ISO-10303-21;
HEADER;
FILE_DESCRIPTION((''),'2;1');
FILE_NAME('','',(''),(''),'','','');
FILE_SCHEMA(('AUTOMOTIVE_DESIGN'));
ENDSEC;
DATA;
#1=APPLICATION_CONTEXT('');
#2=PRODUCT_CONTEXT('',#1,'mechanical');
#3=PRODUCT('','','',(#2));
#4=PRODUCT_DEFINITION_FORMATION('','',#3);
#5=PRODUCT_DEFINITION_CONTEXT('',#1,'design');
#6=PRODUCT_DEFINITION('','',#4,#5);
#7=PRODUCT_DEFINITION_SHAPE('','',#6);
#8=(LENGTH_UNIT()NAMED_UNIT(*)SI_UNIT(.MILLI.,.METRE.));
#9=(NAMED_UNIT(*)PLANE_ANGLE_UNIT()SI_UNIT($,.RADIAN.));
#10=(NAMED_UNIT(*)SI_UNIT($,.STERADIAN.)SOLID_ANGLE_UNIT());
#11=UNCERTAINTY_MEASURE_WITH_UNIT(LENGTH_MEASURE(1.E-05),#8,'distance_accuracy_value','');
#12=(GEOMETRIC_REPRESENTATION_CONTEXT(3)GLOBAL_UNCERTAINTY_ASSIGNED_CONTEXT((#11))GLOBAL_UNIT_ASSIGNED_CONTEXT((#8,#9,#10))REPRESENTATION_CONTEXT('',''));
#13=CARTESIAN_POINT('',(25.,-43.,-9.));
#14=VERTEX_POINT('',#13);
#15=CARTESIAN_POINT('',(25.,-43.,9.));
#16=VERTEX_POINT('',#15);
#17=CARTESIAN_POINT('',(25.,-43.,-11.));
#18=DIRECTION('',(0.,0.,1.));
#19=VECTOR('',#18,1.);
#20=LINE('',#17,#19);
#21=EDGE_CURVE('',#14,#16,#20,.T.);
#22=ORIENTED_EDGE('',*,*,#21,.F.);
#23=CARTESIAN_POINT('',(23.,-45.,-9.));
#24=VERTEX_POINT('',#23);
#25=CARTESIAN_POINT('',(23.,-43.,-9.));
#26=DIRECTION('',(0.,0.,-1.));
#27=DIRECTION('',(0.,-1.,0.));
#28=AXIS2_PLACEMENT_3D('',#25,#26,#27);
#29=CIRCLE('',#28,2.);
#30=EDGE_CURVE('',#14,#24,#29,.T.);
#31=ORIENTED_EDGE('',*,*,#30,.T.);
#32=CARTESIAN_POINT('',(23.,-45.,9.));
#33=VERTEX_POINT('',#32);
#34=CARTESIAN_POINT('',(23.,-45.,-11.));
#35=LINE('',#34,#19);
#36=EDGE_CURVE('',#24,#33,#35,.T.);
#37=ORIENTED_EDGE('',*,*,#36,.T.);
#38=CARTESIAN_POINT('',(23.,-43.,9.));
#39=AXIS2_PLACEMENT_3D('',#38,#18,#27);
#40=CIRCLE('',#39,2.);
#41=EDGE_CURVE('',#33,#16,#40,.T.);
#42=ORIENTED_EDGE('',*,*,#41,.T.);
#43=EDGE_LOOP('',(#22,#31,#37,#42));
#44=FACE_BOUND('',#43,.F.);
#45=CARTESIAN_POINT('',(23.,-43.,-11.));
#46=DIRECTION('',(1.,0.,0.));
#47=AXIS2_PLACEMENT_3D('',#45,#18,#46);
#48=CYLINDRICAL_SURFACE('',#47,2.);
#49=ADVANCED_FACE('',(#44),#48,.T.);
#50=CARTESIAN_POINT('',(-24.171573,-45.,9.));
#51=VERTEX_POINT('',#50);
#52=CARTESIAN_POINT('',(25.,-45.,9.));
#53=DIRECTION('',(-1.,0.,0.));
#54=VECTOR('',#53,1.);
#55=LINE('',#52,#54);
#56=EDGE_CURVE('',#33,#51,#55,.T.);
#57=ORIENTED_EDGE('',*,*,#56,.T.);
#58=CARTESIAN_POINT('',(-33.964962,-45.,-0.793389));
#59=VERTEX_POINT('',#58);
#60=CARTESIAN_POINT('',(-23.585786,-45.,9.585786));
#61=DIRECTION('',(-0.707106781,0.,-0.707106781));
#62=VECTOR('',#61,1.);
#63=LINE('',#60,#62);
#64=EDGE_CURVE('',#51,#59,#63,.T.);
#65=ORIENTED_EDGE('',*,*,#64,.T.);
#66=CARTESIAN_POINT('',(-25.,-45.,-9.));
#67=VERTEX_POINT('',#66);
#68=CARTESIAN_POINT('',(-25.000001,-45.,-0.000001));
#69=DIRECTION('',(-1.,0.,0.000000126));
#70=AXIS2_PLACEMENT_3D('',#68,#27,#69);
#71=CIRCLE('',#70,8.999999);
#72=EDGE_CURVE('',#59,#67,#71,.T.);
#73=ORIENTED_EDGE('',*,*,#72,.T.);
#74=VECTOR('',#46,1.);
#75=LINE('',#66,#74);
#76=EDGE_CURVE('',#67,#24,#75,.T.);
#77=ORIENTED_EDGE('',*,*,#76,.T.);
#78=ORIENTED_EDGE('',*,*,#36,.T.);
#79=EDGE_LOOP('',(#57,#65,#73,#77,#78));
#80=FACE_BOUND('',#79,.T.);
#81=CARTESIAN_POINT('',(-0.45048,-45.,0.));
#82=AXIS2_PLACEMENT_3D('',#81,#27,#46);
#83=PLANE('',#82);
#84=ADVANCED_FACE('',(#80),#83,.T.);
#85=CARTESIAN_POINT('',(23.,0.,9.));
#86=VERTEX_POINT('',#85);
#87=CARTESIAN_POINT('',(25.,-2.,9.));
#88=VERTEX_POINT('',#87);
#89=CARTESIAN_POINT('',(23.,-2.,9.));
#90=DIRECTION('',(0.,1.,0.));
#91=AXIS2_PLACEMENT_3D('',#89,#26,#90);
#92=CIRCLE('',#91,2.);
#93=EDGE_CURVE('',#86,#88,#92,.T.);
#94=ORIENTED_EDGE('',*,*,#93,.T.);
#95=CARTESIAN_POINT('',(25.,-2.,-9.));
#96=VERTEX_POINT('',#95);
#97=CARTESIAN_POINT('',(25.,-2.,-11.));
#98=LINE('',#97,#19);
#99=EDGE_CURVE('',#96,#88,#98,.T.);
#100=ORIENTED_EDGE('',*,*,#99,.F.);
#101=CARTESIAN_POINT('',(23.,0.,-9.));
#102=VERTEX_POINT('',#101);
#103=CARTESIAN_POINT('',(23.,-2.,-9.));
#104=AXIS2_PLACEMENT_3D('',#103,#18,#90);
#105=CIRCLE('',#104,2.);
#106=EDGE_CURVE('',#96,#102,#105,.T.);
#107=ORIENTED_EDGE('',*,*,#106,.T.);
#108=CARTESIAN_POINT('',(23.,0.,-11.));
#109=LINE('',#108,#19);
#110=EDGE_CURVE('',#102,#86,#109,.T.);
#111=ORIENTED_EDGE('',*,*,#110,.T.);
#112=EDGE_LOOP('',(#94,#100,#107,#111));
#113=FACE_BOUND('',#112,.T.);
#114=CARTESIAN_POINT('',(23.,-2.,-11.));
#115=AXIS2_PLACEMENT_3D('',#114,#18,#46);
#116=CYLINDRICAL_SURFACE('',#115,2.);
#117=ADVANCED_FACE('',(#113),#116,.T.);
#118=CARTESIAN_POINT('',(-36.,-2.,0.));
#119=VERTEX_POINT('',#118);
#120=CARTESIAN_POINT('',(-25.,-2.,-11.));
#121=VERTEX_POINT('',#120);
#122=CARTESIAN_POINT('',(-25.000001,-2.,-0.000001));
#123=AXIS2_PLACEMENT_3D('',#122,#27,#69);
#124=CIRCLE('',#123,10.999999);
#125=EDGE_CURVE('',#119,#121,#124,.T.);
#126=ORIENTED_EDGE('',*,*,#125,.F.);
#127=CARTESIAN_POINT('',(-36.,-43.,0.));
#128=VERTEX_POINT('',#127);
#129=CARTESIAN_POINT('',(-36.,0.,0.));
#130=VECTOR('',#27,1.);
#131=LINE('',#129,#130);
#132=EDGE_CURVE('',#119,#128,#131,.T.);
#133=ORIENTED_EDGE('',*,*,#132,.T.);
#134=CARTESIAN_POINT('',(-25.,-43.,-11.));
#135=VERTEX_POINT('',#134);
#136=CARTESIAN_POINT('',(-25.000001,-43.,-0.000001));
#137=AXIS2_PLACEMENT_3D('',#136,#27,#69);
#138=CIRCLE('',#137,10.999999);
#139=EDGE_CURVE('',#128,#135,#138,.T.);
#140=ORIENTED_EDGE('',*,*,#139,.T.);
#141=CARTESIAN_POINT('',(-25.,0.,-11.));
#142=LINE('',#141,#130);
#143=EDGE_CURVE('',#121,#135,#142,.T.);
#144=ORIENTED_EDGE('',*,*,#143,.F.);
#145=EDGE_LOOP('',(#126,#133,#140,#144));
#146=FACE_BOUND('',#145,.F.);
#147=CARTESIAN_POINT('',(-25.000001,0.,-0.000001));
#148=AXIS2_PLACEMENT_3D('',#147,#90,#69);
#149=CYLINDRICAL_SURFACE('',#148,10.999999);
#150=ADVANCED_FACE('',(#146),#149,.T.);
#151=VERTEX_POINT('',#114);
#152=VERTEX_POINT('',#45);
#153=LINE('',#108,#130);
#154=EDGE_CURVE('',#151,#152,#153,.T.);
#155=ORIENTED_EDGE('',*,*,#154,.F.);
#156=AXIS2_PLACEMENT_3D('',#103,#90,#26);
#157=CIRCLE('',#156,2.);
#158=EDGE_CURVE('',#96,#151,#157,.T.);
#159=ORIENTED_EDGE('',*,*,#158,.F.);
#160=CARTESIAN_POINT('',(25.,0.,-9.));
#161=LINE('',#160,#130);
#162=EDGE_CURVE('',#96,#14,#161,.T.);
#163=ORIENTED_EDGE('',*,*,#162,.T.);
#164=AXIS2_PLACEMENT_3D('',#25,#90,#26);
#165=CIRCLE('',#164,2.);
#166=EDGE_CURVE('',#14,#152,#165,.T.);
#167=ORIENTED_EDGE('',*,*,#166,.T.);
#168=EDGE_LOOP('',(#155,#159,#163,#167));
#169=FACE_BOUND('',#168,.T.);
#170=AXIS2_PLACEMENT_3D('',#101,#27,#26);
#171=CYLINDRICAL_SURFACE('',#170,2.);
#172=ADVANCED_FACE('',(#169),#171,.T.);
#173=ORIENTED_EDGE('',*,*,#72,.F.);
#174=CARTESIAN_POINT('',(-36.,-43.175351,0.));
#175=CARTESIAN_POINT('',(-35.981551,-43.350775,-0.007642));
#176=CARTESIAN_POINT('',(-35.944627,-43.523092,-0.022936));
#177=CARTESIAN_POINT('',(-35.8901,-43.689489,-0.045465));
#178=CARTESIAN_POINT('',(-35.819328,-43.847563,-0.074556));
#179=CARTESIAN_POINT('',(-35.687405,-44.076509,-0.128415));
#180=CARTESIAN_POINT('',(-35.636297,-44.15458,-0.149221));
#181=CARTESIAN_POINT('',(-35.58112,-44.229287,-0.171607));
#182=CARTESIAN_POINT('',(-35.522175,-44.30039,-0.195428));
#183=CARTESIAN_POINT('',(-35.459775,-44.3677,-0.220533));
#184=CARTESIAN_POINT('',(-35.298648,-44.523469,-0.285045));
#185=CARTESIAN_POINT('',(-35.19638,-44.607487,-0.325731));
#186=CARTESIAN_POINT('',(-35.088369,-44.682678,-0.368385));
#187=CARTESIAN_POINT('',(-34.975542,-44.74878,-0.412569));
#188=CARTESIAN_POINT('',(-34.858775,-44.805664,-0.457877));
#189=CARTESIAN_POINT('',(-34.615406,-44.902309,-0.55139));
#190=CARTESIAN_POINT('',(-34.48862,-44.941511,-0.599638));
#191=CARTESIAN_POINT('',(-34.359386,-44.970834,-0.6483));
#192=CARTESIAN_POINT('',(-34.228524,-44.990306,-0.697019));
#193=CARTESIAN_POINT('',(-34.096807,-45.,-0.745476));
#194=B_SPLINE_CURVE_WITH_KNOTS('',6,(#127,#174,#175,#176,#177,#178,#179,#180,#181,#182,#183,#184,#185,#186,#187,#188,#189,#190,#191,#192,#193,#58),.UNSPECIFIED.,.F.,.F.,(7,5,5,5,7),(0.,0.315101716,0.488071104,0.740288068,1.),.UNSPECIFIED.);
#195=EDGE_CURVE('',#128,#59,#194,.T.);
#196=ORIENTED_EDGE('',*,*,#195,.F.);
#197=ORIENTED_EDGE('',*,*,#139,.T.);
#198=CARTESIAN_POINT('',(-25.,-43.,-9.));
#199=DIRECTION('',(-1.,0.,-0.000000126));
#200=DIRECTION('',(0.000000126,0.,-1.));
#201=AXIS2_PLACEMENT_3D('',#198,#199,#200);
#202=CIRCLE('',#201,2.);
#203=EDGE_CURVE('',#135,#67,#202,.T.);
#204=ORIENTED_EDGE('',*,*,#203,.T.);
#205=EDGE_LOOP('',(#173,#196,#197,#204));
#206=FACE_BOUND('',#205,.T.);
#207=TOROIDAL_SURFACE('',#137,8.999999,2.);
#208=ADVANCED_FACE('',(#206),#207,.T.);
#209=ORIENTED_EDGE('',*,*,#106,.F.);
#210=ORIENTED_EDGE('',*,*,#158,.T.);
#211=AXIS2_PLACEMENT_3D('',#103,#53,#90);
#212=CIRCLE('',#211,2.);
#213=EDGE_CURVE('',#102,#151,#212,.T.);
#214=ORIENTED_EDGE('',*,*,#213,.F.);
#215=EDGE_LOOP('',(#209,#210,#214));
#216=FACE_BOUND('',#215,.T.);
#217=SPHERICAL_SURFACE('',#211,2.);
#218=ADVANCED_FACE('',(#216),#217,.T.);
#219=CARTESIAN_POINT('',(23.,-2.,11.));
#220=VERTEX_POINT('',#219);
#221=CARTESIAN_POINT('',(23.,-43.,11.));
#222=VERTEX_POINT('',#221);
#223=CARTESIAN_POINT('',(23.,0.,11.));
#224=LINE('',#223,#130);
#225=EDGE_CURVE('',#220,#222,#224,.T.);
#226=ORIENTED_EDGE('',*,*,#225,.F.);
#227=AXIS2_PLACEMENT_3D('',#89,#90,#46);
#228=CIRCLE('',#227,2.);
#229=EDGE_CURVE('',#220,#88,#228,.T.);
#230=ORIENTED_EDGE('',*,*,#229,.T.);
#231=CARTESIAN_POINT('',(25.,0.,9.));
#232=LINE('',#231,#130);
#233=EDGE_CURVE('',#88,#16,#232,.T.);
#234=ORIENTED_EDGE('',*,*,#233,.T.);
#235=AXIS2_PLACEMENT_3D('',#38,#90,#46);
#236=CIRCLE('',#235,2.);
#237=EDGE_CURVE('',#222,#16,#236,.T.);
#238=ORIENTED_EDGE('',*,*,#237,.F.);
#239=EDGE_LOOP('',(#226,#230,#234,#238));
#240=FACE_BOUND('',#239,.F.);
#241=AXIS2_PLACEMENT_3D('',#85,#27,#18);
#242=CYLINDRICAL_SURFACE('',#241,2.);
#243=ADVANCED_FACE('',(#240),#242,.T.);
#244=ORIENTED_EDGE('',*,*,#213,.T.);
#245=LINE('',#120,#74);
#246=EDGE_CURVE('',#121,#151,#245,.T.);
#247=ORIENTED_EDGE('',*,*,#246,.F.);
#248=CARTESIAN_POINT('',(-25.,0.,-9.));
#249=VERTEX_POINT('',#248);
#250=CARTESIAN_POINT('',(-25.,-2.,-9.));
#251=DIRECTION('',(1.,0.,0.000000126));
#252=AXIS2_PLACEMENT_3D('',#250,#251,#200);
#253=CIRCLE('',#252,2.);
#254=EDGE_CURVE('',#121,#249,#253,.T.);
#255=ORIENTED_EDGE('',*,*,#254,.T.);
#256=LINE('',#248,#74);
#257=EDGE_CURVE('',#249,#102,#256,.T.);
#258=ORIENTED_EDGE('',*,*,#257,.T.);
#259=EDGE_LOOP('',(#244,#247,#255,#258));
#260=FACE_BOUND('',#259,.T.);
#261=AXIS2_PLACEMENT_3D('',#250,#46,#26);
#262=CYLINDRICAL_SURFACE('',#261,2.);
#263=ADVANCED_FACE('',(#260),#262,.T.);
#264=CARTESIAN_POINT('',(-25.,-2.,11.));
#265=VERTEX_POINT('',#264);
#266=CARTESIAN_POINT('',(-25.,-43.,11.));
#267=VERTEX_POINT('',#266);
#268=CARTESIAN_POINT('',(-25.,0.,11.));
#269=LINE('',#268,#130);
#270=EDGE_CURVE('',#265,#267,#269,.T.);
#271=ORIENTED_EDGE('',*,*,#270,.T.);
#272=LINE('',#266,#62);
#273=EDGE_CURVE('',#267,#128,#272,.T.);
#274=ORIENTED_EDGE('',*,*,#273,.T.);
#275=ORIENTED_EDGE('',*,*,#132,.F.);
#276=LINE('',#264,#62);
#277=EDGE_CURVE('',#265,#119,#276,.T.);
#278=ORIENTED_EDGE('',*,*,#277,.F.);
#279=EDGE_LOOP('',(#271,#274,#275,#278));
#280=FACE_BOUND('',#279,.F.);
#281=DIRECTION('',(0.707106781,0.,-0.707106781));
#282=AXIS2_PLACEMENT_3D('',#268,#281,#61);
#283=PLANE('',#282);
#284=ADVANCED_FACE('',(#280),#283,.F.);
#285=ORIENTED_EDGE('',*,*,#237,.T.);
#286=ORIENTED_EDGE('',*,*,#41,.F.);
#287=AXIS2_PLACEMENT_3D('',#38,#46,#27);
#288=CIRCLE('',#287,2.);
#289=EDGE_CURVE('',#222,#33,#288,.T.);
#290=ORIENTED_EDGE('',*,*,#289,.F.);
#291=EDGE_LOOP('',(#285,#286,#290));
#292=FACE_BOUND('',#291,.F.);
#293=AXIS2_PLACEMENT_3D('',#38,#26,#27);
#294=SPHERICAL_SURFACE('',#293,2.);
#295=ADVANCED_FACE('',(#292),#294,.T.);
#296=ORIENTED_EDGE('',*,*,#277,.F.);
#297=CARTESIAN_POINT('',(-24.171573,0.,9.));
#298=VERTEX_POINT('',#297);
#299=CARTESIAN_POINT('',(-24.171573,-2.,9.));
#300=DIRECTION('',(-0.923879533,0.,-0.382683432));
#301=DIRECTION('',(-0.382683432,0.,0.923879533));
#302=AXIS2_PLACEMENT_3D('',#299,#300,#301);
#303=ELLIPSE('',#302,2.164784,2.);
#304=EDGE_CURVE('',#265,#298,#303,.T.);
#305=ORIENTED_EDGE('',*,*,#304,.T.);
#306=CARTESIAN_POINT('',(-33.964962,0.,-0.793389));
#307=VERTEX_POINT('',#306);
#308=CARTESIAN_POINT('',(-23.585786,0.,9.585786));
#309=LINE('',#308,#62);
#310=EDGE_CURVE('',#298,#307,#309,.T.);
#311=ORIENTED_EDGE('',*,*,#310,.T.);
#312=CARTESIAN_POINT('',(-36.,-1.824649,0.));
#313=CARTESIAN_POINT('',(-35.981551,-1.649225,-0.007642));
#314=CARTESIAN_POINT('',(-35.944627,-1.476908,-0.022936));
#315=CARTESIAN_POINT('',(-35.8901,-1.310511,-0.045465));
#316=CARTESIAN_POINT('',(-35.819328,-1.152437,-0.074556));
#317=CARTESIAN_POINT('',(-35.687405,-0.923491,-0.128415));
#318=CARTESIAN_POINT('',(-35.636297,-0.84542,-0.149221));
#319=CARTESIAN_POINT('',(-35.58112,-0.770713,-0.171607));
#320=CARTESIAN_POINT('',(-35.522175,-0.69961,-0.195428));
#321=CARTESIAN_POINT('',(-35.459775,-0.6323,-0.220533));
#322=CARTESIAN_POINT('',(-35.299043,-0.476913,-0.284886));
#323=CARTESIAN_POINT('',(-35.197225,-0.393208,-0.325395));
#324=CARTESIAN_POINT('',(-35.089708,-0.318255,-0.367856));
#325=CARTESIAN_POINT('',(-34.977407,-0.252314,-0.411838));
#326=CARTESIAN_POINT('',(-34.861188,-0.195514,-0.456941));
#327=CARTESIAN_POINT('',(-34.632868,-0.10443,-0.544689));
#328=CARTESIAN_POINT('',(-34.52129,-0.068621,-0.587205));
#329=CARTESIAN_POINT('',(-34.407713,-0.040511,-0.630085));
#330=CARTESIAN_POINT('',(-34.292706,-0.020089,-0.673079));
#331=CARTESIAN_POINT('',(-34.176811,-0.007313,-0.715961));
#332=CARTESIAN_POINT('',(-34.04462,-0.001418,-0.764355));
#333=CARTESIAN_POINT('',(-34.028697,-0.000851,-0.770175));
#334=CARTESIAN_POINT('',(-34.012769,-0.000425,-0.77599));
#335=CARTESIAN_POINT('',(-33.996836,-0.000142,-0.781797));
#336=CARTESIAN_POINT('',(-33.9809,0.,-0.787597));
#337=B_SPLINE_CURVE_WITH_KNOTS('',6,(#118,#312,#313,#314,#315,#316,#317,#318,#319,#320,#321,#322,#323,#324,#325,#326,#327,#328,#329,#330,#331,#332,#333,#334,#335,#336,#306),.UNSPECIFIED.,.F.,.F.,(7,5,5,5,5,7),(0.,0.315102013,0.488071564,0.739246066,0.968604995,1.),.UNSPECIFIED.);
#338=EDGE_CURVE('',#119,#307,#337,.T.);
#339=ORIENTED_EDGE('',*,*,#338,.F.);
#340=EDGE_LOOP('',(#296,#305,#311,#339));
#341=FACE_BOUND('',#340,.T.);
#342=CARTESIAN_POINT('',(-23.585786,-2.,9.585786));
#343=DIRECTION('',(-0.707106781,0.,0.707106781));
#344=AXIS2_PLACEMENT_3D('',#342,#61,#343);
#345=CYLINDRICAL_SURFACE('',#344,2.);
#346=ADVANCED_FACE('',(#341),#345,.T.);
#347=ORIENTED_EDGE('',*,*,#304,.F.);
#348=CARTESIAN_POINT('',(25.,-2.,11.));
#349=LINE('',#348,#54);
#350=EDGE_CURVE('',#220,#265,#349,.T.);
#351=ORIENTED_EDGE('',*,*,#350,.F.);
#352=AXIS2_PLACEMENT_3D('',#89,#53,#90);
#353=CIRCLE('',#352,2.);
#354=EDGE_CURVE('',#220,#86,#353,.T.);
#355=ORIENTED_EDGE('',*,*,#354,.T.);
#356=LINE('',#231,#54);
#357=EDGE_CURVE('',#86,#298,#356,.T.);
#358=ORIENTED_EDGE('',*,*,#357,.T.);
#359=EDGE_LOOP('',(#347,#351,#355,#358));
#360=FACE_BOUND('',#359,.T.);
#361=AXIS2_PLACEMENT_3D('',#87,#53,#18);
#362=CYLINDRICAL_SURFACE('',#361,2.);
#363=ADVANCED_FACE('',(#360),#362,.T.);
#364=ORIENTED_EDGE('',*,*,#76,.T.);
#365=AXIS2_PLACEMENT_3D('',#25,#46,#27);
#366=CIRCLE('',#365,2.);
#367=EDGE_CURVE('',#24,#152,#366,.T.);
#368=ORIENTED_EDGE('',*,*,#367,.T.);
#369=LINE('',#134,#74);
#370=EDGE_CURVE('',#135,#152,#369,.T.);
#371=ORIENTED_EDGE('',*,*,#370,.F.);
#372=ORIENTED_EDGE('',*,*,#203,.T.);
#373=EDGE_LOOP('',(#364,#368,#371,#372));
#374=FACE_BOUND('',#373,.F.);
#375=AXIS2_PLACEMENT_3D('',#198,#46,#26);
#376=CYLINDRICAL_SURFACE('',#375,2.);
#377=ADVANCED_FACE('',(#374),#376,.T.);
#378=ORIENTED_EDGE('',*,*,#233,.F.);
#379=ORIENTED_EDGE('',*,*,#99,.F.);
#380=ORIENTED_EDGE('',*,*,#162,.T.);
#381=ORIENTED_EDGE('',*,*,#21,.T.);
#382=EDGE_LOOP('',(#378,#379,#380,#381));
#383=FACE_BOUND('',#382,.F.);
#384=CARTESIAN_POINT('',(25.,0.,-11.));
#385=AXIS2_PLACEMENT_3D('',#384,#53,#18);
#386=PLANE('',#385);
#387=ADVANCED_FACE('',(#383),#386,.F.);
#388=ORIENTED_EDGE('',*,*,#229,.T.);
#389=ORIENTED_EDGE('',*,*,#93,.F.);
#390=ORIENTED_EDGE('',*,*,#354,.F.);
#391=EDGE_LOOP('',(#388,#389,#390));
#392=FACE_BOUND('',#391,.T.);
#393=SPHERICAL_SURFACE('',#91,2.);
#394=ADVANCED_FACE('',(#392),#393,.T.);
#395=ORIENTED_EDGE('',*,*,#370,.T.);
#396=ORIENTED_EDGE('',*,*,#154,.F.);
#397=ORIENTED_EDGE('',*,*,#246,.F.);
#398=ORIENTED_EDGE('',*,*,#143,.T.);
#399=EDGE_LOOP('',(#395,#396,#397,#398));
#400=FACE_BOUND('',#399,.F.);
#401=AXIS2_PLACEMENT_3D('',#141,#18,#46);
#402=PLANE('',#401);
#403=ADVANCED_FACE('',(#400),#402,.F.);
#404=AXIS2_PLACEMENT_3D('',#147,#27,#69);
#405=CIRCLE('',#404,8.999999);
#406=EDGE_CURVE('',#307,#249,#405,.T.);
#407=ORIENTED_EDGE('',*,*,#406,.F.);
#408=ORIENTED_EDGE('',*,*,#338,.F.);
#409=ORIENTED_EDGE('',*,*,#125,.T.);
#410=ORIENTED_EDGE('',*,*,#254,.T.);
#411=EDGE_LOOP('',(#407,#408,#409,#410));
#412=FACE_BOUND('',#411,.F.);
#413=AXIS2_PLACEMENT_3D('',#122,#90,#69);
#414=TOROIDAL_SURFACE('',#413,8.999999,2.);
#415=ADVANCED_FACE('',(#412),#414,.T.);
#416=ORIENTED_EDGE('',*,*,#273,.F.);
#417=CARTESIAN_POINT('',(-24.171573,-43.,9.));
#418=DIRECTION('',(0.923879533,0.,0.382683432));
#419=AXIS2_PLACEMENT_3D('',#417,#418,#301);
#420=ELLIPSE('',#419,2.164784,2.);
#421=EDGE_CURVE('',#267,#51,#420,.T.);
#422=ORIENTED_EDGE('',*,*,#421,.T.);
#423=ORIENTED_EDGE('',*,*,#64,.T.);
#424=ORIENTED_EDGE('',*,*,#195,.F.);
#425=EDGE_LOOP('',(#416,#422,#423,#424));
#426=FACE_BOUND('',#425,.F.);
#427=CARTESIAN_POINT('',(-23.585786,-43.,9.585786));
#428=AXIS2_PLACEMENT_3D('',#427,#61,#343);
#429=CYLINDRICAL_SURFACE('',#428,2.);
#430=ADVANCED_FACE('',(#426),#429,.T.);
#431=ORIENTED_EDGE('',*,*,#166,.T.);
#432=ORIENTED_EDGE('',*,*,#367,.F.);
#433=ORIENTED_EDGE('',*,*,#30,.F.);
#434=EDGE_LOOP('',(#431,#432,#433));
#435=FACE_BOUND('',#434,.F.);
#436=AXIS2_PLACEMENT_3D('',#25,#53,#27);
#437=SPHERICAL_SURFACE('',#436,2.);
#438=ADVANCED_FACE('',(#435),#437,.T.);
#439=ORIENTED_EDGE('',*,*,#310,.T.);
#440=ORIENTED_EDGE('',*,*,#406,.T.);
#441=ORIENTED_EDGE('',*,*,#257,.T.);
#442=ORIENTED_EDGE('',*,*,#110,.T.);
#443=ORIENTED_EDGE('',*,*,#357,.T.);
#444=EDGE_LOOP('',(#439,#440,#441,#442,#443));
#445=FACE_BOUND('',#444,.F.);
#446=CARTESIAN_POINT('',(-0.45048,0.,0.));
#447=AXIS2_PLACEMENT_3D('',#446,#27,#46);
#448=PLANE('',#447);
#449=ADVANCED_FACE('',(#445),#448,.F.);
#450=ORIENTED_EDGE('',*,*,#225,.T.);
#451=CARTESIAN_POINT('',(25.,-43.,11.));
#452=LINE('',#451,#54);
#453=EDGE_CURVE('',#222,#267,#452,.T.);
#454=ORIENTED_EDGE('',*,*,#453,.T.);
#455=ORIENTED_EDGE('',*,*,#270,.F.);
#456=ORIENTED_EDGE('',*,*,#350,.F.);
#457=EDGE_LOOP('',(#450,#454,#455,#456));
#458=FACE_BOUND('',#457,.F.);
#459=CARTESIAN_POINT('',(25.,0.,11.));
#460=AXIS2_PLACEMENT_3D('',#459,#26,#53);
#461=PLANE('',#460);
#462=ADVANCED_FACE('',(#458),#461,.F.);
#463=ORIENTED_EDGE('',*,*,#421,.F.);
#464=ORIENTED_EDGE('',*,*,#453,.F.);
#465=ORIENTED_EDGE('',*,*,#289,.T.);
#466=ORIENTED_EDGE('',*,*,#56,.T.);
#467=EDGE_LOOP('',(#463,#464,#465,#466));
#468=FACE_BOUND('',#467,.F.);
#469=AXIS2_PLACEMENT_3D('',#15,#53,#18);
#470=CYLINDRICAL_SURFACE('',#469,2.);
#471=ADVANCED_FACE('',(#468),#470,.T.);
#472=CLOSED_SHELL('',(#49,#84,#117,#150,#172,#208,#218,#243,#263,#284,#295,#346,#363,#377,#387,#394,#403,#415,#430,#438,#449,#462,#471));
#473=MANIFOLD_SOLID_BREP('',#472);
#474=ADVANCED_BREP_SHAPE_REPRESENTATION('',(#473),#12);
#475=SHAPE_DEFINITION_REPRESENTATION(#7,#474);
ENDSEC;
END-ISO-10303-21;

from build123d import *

# Parameters (mm, degrees)
F1_DEPTH = 45
F2_R     = 2


with BuildPart() as f1:
    # F0 (on Front) → F1 (new body)
    with BuildSketch(Plane.XZ):
        with BuildLine():
            Line((25, 11), (-25, 11))
            ThreePointArc((-25, 11), (-17.221825, 7.778175), (-14, 0))
            ThreePointArc((-14, 0), (-17.221825, -7.778175), (-25, -11))
            Line((-25, -11), (25, -11))
            Line((25, -11), (25, 11))
        make_face()
        with BuildLine():
            Line((-25, -11), (-25, 11))
            Line((-25, 11), (-36, 0))
            ThreePointArc((-36, 0), (-32.778175, -7.778175), (-25, -11))
        make_face()
        with BuildLine():
            ThreePointArc((-14, 0), (-17.221825, 7.778175), (-25, 11))
            Line((-25, 11), (-25, -11))
            ThreePointArc((-25, -11), (-17.221825, -7.778175), (-14, 0))
        make_face()
    extrude(amount=F1_DEPTH)

    # F2
    f2_edges = [f1.edges().sort_by_distance(p)[0] for p in [
        (0, -45, -11),
        (25, -45, 0),
        (0, -45, 11),
        (-30.5, -45, 5.5),
        (-32.778175, -45, -7.778175),
        (0, 0, -11),
        (25, 0, 0),
        (0, 0, 11),
        (-30.5, 0, 5.5),
        (-32.778175, 0, -7.778175),
        (25, -22.5, -11),
        (25, -22.5, 11),
    ]]
    fillet(f2_edges, radius=F2_R)


solid = f1.part
